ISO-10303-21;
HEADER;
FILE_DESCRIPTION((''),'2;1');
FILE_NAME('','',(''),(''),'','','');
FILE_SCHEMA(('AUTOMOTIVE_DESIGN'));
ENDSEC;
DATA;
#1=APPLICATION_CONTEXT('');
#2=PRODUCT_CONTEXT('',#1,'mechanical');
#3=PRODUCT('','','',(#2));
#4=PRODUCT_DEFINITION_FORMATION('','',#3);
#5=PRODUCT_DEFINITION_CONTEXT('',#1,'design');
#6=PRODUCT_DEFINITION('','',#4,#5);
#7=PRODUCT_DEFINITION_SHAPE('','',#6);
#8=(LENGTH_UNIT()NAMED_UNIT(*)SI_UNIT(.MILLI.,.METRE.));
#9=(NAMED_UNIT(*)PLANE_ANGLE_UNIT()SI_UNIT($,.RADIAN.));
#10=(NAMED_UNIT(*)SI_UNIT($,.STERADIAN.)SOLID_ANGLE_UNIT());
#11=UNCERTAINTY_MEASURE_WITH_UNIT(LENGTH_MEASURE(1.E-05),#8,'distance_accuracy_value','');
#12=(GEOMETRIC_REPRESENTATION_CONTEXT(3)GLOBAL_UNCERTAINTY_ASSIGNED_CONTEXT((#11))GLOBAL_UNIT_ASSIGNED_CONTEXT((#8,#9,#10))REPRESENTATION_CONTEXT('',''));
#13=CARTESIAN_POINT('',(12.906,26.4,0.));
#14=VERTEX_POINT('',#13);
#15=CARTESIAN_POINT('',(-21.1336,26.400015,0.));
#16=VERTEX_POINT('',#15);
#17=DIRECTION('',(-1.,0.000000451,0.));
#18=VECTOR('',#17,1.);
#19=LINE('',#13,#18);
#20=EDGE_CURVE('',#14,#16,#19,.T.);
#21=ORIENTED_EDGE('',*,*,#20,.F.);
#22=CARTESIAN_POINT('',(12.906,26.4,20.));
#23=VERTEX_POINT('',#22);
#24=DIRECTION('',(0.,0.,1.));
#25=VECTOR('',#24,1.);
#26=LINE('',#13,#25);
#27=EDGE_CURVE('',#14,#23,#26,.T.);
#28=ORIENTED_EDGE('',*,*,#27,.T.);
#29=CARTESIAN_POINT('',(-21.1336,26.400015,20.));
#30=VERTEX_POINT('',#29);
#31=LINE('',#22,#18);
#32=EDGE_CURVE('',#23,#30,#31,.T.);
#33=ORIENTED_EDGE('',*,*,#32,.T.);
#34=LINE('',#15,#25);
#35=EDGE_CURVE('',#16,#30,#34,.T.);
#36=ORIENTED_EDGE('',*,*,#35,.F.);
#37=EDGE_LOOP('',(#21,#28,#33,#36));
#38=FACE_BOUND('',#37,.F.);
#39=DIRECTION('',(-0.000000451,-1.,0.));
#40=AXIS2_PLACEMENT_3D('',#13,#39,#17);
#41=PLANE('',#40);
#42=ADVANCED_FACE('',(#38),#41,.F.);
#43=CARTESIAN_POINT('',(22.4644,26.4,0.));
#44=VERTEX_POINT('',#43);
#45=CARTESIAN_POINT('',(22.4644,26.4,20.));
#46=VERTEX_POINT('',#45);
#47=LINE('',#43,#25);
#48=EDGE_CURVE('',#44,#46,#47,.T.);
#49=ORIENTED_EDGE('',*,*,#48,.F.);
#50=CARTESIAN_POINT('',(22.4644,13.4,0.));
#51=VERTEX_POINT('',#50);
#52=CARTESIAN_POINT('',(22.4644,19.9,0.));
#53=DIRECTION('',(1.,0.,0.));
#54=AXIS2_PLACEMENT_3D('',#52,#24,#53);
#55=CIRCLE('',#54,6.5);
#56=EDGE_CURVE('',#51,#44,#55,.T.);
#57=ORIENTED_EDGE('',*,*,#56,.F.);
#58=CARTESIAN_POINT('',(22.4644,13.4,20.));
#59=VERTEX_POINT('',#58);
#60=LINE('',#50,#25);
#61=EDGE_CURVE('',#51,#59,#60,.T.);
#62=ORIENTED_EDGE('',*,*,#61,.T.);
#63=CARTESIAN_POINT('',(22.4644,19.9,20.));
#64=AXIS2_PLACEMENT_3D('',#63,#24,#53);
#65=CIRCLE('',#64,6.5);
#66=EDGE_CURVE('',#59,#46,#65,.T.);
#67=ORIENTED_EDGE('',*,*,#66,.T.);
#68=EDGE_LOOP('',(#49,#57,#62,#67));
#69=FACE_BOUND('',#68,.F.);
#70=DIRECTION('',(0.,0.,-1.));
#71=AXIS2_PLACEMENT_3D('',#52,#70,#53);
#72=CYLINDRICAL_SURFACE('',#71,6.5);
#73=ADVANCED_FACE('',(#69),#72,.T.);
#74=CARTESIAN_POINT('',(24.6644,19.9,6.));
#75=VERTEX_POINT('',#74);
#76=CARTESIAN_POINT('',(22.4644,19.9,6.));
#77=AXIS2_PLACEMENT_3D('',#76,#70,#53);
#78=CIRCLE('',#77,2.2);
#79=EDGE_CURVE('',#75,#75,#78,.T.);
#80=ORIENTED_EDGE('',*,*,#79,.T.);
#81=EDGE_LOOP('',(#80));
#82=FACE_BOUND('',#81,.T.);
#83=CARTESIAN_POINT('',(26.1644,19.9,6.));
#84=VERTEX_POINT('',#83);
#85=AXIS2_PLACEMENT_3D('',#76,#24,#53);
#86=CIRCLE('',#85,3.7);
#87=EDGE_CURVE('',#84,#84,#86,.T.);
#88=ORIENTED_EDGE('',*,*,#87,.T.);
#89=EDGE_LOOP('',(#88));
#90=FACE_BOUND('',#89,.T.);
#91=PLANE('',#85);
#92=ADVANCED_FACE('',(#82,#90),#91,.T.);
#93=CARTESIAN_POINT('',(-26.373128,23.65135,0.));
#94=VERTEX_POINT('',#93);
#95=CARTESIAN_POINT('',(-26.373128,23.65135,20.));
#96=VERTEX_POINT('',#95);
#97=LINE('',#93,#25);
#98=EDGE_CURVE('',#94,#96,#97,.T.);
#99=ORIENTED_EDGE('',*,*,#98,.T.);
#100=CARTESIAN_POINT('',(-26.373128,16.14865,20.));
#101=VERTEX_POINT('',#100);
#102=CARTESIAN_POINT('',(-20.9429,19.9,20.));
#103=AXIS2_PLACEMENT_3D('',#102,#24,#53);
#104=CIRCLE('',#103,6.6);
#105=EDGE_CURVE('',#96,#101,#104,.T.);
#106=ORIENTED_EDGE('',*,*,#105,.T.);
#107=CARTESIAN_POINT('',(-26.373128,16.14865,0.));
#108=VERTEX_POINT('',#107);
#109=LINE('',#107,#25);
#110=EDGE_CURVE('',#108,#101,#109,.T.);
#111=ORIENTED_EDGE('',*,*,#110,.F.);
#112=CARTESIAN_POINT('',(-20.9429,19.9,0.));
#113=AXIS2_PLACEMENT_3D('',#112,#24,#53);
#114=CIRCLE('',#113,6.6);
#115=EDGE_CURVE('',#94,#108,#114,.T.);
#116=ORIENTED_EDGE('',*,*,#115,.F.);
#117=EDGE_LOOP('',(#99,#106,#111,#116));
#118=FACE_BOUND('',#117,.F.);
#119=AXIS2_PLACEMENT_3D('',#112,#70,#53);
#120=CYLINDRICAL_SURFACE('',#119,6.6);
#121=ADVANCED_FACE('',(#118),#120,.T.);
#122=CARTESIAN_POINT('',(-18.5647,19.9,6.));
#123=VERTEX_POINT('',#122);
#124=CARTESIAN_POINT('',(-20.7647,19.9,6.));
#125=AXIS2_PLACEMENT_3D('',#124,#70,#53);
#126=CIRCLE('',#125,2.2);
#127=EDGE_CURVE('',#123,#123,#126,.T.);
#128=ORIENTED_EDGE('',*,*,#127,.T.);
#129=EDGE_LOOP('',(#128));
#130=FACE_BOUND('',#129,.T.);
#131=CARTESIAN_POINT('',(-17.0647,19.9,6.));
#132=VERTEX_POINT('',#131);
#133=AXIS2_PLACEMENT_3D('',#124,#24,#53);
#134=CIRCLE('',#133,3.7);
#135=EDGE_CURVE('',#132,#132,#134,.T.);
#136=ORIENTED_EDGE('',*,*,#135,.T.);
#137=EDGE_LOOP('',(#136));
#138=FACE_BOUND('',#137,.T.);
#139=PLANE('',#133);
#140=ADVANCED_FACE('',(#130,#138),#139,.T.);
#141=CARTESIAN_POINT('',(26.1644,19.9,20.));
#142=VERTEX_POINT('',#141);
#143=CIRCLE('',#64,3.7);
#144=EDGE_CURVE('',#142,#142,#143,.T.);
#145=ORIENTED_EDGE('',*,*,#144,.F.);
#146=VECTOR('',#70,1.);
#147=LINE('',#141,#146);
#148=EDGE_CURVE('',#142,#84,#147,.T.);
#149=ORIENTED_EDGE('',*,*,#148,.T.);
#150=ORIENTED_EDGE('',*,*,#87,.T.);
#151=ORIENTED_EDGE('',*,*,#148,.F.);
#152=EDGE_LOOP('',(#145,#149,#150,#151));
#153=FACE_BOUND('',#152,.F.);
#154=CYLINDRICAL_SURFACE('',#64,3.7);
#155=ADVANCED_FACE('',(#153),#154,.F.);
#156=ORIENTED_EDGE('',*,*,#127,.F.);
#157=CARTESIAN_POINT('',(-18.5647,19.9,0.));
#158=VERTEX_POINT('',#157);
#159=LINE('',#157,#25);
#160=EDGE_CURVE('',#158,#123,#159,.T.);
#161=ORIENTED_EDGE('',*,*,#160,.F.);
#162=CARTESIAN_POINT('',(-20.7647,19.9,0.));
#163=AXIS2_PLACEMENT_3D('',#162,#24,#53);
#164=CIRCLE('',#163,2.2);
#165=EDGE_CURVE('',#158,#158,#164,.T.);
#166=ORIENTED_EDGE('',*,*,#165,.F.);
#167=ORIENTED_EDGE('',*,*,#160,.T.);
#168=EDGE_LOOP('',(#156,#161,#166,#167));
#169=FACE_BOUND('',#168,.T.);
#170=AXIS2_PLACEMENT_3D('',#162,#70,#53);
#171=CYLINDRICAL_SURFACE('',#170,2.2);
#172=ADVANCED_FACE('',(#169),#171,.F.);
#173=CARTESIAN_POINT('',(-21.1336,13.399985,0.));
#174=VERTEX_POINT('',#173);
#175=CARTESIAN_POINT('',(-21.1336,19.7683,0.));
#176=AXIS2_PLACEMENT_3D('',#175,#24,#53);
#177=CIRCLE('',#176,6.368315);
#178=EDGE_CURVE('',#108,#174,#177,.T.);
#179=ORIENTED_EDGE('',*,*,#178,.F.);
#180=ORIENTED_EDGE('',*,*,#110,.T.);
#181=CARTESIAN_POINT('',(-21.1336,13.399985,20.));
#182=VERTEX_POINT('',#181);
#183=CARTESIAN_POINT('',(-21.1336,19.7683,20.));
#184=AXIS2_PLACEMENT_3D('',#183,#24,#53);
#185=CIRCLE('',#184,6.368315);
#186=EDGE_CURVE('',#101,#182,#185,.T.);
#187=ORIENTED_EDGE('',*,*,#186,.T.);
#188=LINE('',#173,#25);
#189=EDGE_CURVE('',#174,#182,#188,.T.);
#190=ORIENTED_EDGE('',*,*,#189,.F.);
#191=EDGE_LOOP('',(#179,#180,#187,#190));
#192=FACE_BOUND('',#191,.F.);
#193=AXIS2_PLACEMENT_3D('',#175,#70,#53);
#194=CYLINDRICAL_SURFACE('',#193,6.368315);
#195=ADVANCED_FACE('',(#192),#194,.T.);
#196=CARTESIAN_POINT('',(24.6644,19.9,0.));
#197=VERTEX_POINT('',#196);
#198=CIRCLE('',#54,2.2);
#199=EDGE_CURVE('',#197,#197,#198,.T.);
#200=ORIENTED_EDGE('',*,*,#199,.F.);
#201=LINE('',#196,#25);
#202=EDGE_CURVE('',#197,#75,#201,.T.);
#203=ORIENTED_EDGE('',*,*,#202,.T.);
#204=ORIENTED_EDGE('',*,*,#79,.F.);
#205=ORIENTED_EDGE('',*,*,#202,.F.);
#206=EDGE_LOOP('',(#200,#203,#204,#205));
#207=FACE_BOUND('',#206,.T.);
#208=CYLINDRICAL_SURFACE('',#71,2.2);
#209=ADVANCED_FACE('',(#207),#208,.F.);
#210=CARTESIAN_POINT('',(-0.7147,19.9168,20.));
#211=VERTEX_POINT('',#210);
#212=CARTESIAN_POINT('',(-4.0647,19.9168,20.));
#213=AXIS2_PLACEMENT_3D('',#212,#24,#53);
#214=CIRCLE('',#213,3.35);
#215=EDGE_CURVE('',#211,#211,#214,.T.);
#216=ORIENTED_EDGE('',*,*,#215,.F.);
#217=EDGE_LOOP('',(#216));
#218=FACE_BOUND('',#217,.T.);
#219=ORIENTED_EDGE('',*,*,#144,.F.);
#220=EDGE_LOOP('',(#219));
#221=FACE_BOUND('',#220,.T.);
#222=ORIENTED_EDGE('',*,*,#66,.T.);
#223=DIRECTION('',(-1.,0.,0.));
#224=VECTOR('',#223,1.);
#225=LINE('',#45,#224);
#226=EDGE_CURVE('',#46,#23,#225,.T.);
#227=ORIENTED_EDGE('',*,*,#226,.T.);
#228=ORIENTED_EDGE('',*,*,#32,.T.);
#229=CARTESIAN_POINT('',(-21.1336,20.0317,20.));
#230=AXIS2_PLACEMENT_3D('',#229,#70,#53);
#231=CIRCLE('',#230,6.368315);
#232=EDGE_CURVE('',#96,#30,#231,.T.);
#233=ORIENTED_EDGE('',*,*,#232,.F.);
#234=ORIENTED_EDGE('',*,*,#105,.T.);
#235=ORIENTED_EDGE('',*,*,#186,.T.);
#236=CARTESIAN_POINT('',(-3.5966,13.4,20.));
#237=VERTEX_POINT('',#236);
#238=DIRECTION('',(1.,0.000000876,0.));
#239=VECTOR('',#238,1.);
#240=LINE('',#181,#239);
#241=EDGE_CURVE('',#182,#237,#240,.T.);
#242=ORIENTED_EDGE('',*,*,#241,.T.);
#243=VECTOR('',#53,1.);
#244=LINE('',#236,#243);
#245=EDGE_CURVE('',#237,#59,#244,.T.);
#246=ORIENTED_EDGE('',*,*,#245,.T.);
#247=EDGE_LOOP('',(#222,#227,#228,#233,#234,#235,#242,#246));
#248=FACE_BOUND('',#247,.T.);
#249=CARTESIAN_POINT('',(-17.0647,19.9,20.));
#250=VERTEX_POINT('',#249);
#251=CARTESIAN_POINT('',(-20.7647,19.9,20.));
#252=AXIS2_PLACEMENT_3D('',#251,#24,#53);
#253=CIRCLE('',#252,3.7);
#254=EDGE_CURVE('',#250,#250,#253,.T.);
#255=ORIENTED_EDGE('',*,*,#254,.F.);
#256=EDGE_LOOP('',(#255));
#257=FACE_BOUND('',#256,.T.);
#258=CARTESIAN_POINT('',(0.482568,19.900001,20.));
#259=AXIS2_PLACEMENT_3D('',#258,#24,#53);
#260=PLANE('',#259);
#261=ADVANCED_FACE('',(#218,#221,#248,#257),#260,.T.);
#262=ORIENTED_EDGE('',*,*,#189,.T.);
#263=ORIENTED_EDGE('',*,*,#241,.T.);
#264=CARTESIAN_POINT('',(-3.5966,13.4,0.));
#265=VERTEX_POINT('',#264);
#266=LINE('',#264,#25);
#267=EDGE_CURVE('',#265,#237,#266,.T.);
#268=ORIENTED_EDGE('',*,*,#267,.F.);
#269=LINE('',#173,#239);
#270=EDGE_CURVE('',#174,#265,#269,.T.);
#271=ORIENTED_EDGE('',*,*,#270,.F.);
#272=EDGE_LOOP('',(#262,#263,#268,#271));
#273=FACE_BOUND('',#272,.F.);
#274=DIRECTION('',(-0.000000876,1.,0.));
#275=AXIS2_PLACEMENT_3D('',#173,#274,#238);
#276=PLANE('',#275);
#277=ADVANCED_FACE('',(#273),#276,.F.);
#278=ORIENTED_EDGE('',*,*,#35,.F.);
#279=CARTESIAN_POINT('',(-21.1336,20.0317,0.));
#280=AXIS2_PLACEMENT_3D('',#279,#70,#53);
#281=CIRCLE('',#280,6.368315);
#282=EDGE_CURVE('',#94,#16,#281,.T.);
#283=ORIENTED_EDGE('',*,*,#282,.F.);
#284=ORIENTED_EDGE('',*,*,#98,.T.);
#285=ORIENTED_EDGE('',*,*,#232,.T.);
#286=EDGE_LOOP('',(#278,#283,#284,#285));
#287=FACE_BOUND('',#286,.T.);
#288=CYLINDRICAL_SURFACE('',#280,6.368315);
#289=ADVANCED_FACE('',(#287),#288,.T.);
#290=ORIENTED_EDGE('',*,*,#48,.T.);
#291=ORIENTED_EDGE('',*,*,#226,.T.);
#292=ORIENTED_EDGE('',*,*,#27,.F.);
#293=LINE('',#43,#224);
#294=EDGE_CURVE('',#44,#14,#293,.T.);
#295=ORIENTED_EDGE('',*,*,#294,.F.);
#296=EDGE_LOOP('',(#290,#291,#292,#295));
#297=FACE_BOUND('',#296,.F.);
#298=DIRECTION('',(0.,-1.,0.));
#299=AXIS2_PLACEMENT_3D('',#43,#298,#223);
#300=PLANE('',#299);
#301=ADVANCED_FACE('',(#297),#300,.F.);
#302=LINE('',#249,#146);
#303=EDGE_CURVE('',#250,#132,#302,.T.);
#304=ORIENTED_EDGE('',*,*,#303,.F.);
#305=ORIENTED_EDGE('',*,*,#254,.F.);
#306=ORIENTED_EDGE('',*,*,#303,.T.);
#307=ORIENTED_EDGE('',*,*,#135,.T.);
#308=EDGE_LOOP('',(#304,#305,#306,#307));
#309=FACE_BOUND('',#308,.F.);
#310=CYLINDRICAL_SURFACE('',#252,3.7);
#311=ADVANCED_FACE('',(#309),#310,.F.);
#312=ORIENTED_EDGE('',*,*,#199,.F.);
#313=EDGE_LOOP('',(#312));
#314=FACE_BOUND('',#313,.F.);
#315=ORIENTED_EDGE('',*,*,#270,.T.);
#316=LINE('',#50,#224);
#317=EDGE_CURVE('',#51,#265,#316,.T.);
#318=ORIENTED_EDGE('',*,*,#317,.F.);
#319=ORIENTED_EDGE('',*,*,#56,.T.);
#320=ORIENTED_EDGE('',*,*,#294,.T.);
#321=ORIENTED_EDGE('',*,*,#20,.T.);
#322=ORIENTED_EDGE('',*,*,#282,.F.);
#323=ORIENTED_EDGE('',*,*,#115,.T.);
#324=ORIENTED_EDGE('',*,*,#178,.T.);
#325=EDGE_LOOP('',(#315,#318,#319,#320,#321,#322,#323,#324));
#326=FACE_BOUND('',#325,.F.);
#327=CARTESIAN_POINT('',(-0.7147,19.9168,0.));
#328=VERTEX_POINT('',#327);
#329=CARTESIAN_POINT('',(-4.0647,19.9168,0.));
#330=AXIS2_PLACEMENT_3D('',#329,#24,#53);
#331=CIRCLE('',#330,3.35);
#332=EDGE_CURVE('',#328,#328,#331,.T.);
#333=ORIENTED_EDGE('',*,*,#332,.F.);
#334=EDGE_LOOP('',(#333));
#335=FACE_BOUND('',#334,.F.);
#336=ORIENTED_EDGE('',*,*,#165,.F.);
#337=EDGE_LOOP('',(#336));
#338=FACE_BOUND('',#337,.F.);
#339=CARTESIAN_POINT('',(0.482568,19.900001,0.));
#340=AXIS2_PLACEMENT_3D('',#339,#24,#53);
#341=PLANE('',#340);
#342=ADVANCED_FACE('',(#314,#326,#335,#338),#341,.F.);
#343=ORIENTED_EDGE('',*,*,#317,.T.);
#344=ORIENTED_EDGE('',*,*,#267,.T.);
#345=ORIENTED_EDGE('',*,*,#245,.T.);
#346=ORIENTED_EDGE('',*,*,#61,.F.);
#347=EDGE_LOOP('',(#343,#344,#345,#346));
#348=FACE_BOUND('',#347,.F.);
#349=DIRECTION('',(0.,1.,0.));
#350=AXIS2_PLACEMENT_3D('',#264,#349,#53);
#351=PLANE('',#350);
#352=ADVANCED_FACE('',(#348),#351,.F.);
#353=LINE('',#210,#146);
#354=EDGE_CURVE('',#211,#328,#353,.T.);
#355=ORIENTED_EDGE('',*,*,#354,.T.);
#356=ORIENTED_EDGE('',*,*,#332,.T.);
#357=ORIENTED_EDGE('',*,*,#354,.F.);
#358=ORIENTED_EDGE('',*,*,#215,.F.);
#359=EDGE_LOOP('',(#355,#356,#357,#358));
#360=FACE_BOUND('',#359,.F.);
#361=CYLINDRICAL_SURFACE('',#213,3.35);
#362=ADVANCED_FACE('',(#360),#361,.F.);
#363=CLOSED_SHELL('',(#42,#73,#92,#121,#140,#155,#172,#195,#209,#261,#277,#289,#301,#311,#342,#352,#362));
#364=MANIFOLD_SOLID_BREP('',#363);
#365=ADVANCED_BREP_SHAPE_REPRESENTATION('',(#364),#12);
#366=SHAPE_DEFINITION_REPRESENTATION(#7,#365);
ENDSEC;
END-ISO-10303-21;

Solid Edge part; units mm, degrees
sketch "Sketch1" plane through (0, 0, 0) normal (0, 0, 1) x (1, 0, 0)
  circle A0 centre (-20.7647, 19.9) radius 2.2
  circle A1 centre (22.4644, 19.9) radius 2.2
  arc A2 (-26.3732, 23.6514) -> (-26.3732, 16.1486) centre (-20.9429, 19.9) ccw
  arc A3 (-26.3732, 16.1486) -> (-21.1336, 13.4) centre (-21.1336, 19.7683) ccw
  line L0 (-21.1336, 13.4) -> (-3.5966, 13.4)
  line L1 (-3.5966, 13.4) -> (2.9921, 13.4)
  line L2 (2.9921, 13.4) -> (22.4644, 13.4)
  arc A4 (22.4644, 13.4) -> (22.4644, 26.4) centre (22.4644, 19.9) ccw
  line L3 (22.4644, 26.4) -> (12.906, 26.4)
  line L4 (12.906, 26.4) -> (-21.1336, 26.4)
  arc A5 (-26.3732, 23.6514) -> (-21.1336, 26.4) centre (-21.1336, 20.0317) cw
extrude "Protrusion1" add sketch "Sketch1" along normal blind 20
sketch "Sketch2" plane through (0.7107, 19.9, 20) normal (0, 0, 1) x (1, 0, 0)
  circle A0 centre (-4.7754, 0.0168) radius 3.35
extrude "ExtrudedCutout_1" cut sketch "Sketch2" against normal blind 67.0154
sketch "Sketch3" plane through (0.7107, 19.9, 20) normal (0, 0, 1) x (1, 0, 0)
  circle A0 centre (-21.4754, 0) radius 3.7
  circle A1 centre (21.7537, 0) radius 3.7
extrude "ExtrudedCutout_2" cut sketch "Sketch3" against normal blind 14
